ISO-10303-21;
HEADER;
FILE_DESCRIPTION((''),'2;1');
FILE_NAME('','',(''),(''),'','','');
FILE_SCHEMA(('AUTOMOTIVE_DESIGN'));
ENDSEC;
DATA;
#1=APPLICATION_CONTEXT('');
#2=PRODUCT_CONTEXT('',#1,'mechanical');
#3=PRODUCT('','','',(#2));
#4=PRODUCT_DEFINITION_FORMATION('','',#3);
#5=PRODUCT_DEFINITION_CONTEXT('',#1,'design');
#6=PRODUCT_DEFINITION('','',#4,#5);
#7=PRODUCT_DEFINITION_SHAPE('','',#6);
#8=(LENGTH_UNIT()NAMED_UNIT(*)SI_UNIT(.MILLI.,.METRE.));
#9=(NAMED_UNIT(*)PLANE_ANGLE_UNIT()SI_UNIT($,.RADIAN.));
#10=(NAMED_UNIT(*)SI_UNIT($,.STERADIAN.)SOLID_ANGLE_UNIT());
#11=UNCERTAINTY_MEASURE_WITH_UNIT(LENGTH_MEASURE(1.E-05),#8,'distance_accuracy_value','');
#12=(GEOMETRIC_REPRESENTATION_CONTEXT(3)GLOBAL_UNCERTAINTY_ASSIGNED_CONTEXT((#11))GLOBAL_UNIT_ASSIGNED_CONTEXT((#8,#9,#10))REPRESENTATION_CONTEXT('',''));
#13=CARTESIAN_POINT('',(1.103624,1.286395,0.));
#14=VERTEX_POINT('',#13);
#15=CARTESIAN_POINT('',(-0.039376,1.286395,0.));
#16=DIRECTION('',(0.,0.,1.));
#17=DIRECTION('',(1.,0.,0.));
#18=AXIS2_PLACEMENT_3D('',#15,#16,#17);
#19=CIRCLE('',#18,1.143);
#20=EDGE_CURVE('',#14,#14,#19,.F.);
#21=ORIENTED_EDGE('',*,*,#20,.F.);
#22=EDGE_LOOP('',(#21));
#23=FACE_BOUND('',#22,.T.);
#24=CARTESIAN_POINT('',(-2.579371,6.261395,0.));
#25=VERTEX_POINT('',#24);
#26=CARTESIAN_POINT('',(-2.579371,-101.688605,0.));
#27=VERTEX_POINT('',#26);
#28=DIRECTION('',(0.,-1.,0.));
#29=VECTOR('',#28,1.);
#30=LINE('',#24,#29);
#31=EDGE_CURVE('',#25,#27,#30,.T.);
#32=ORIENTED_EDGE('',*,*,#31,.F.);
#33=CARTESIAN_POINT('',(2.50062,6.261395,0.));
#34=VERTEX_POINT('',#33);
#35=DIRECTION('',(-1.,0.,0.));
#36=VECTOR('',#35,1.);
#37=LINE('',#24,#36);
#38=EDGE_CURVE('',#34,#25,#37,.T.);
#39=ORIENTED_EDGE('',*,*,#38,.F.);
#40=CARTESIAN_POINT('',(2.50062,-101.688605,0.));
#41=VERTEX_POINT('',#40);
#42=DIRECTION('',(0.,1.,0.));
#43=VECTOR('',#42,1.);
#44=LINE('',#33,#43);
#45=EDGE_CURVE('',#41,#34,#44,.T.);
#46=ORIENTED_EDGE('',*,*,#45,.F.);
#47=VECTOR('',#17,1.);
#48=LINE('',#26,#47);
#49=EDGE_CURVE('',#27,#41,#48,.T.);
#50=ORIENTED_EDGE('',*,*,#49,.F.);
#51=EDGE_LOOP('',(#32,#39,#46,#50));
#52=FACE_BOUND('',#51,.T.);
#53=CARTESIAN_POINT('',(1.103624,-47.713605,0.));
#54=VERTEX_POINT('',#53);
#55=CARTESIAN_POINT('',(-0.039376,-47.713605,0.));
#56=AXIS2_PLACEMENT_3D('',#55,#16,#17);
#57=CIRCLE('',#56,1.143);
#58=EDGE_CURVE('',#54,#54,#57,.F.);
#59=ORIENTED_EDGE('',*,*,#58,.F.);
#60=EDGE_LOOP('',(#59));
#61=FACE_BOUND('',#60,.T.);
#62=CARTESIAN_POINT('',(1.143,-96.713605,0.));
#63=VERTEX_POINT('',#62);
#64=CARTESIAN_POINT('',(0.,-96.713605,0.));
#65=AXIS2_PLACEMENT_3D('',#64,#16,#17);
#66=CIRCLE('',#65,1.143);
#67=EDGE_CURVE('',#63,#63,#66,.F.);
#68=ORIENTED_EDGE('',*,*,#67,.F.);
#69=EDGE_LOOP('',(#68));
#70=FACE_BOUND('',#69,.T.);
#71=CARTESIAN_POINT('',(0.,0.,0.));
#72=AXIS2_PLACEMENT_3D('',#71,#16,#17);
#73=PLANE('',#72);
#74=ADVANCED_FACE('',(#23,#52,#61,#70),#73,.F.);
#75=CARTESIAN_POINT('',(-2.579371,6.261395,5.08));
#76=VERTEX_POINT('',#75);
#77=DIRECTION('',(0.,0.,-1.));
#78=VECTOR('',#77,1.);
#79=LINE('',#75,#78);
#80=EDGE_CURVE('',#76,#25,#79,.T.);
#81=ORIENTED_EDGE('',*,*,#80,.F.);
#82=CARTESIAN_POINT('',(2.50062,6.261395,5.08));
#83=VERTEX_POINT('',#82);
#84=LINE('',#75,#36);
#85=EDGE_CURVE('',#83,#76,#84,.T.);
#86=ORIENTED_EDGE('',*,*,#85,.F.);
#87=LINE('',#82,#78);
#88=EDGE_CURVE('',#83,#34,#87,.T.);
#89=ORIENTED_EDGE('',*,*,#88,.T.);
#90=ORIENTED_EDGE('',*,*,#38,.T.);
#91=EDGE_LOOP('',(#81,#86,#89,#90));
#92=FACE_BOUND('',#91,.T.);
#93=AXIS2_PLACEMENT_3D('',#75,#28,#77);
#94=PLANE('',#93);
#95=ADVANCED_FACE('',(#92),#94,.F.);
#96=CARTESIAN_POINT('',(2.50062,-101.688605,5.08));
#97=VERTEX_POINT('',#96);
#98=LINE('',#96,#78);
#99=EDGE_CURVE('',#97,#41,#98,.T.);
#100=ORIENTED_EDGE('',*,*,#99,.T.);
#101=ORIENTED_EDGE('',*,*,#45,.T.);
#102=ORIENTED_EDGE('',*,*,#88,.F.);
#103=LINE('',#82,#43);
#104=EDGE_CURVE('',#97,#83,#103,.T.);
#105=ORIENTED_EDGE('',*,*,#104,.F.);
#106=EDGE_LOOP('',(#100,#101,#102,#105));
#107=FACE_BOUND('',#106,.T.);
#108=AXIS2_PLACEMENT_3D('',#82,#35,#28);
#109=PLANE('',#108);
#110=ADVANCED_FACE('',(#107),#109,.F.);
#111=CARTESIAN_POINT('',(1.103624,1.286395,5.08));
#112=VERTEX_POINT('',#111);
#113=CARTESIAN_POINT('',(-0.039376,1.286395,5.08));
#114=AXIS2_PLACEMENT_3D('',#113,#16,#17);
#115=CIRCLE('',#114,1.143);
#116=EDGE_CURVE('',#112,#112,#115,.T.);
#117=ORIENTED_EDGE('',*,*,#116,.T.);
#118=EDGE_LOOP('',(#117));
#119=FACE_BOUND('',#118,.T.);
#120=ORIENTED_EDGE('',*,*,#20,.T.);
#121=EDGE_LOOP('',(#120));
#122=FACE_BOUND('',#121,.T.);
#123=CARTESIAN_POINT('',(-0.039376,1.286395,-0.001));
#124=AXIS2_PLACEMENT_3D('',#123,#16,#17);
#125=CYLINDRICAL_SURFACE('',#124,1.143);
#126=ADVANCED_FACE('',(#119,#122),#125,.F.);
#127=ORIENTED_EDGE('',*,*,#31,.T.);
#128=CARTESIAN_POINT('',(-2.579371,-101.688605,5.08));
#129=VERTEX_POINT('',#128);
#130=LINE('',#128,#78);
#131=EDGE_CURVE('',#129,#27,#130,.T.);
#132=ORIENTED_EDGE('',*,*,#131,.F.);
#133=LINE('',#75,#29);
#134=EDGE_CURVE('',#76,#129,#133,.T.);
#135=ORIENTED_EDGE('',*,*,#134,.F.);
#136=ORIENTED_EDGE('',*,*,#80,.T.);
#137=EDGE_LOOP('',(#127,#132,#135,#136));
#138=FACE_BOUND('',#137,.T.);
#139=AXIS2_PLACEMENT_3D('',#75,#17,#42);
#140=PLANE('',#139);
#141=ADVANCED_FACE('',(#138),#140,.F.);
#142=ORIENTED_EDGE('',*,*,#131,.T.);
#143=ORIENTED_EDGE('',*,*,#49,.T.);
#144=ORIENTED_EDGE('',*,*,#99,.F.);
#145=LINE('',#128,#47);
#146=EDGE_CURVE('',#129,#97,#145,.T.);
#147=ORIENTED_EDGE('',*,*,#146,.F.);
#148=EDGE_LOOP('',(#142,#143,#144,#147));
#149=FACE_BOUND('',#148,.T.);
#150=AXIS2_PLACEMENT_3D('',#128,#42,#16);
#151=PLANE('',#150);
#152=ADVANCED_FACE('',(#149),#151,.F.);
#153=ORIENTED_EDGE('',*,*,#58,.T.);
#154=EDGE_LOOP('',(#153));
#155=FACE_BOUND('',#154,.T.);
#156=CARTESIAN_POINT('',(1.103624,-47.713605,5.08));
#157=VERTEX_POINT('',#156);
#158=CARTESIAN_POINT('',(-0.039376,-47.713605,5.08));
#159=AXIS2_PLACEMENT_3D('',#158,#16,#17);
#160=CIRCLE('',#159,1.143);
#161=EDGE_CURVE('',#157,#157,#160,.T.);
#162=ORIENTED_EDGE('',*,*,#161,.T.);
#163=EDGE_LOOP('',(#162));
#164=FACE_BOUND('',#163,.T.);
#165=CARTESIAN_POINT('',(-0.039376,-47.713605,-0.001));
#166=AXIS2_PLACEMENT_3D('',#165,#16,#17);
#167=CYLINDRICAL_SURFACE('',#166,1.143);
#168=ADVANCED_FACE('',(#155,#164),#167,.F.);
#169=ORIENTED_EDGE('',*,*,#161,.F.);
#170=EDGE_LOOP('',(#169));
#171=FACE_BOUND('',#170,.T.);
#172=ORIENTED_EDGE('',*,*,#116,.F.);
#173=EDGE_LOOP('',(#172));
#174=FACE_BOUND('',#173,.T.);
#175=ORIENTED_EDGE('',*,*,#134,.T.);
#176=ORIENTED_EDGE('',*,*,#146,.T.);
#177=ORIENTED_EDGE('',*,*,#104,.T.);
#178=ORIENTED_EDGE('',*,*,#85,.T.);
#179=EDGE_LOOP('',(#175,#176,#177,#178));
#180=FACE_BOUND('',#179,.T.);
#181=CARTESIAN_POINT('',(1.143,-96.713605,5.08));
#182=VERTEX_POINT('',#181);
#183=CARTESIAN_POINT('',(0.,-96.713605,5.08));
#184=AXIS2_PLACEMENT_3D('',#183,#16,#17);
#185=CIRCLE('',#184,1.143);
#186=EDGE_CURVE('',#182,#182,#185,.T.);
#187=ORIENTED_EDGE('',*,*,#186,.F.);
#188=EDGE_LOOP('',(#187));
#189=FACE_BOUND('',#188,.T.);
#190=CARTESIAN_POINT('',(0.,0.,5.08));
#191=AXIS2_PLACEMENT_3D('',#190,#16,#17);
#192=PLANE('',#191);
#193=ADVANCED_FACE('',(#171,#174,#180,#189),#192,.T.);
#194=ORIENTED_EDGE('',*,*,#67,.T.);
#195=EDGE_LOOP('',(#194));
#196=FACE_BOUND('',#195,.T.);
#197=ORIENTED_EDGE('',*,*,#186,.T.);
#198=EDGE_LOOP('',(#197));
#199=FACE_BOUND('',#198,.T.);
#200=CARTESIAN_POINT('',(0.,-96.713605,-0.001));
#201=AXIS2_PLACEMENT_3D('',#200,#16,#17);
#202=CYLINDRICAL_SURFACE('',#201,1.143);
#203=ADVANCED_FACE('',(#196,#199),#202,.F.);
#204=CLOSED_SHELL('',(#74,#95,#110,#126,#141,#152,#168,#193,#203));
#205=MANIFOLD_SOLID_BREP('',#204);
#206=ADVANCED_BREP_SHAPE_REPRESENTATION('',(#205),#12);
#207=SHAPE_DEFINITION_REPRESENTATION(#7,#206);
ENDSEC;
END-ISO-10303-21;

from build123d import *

# Parameters (mm, degrees)
SKETCH1_W           = 5.079991364
SKETCH1_H           = 107.95
BOSS_EXTRUDE1_DEPTH = 5.08
CUT_EXTRUDE1_REACH  = 103.848
SKETCH3_R           = 1.143


with BuildPart() as part:
    # Sketch1 → Boss-Extrude1 (new body)
    with BuildSketch(Plane.XY):
        with Locations((-0.039375527, -47.713604651)):
            Rectangle(SKETCH1_W, SKETCH1_H)
    extrude(amount=BOSS_EXTRUDE1_DEPTH)

    # Sketch3 → Cut-Extrude1 (cut, up to next)
    with BuildSketch(Plane.XY.offset(5.08), mode=Mode.PRIVATE) as cut_extrude1_sk1:
        with Locations((-0.039375527, -47.713604651)):
            Circle(SKETCH3_R)
    cut_extrude1_tool1 = extrude(cut_extrude1_sk1.sketch, amount=-CUT_EXTRUDE1_REACH, mode=Mode.PRIVATE) & part.part
    # Sketch3 → Cut-Extrude1 (cut, up to next)
    with BuildSketch(Plane.XY.offset(5.08), mode=Mode.PRIVATE) as cut_extrude1_sk2:
        with Locations((-0.039375527, 1.286395349)):
            Circle(SKETCH3_R)
    cut_extrude1_tool2 = extrude(cut_extrude1_sk2.sketch, amount=-CUT_EXTRUDE1_REACH, mode=Mode.PRIVATE) & part.part
    # Sketch3 → Cut-Extrude1 (cut, up to next)
    with BuildSketch(Plane.XY.offset(5.08), mode=Mode.PRIVATE) as cut_extrude1_sk3:
        with Locations((0, -96.713604651)):
            Circle(SKETCH3_R)
    cut_extrude1_tool3 = extrude(cut_extrude1_sk3.sketch, amount=-CUT_EXTRUDE1_REACH, mode=Mode.PRIVATE) & part.part
    add(cut_extrude1_tool1.solids().sort_by_distance((-0.039376, -47.713605, 5.08))[0], mode=Mode.SUBTRACT)
    add(cut_extrude1_tool2.solids().sort_by_distance((-0.039376, 1.286395, 5.08))[0], mode=Mode.SUBTRACT)
    add(cut_extrude1_tool3.solids().sort_by_distance((0, -96.713605, 5.08))[0], mode=Mode.SUBTRACT)


solid = part.part
